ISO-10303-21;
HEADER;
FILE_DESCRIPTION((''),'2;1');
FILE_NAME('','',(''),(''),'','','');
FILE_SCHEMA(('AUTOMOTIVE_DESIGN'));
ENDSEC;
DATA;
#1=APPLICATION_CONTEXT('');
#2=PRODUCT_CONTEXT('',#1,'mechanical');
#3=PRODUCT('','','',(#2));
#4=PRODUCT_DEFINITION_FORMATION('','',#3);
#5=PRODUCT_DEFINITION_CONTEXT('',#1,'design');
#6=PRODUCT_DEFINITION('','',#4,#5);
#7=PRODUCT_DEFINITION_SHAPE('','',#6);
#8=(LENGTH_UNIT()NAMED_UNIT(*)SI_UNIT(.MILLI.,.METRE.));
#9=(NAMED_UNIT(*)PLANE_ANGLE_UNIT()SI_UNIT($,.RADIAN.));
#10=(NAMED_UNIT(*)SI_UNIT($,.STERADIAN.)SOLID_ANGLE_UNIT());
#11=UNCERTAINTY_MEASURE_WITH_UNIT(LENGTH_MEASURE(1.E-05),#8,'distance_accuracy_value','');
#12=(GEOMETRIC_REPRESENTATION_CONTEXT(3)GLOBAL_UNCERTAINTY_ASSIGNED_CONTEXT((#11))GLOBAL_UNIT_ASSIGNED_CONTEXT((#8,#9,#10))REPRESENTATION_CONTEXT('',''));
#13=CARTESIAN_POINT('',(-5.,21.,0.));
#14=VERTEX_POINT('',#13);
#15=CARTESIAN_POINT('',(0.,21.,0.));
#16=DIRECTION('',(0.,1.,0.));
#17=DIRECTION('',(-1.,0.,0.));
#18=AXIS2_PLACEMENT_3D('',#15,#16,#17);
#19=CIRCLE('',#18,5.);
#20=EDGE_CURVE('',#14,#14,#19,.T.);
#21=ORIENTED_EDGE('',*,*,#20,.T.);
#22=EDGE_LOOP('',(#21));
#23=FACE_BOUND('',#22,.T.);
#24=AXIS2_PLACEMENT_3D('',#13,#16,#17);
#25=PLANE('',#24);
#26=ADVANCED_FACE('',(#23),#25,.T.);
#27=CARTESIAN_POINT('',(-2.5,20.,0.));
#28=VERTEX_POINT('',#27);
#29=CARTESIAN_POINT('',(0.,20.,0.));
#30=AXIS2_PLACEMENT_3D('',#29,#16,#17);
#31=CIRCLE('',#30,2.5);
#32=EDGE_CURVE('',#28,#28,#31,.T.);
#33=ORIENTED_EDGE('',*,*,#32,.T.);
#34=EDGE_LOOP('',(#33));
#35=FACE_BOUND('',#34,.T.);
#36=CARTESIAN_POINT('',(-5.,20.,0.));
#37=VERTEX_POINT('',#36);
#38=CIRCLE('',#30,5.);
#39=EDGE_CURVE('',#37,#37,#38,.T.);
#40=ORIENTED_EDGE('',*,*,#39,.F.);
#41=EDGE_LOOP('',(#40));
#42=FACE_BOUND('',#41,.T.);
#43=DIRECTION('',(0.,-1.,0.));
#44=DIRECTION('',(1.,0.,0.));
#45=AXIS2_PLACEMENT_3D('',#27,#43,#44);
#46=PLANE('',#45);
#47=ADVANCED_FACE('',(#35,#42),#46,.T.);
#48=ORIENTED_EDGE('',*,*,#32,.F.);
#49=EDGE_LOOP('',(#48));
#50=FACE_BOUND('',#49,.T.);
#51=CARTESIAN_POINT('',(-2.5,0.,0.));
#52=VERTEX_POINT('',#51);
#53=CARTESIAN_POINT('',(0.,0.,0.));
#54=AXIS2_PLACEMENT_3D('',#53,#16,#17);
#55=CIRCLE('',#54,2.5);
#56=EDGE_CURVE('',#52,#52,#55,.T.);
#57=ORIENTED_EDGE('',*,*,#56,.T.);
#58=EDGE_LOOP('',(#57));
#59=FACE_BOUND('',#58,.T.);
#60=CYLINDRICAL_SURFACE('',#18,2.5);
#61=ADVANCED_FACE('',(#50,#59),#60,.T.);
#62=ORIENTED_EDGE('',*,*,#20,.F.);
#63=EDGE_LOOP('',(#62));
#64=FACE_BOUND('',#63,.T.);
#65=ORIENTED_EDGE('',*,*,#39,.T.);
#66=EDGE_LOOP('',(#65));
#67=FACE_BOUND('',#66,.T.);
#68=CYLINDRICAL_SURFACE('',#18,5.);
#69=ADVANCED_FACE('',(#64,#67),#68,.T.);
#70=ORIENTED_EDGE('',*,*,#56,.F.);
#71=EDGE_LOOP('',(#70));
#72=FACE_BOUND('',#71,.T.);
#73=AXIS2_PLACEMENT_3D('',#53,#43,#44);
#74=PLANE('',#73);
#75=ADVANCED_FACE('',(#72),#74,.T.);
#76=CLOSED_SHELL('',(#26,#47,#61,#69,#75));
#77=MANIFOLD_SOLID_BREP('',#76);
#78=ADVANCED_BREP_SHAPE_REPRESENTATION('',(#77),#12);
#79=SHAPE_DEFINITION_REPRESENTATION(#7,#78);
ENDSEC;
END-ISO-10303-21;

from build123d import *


with BuildPart() as part:
    # Esquisse1 → Révolution1 (revolve)
    with BuildSketch(Plane.XY):
        Polygon((0, 0), (-2.5, 0), (-2.5, 20), (-5, 20), (-5, 21), (0, 21), align=None)
    revolve(axis=Axis((0, 21, 0), (0, -1, 0)))


solid = part.part
